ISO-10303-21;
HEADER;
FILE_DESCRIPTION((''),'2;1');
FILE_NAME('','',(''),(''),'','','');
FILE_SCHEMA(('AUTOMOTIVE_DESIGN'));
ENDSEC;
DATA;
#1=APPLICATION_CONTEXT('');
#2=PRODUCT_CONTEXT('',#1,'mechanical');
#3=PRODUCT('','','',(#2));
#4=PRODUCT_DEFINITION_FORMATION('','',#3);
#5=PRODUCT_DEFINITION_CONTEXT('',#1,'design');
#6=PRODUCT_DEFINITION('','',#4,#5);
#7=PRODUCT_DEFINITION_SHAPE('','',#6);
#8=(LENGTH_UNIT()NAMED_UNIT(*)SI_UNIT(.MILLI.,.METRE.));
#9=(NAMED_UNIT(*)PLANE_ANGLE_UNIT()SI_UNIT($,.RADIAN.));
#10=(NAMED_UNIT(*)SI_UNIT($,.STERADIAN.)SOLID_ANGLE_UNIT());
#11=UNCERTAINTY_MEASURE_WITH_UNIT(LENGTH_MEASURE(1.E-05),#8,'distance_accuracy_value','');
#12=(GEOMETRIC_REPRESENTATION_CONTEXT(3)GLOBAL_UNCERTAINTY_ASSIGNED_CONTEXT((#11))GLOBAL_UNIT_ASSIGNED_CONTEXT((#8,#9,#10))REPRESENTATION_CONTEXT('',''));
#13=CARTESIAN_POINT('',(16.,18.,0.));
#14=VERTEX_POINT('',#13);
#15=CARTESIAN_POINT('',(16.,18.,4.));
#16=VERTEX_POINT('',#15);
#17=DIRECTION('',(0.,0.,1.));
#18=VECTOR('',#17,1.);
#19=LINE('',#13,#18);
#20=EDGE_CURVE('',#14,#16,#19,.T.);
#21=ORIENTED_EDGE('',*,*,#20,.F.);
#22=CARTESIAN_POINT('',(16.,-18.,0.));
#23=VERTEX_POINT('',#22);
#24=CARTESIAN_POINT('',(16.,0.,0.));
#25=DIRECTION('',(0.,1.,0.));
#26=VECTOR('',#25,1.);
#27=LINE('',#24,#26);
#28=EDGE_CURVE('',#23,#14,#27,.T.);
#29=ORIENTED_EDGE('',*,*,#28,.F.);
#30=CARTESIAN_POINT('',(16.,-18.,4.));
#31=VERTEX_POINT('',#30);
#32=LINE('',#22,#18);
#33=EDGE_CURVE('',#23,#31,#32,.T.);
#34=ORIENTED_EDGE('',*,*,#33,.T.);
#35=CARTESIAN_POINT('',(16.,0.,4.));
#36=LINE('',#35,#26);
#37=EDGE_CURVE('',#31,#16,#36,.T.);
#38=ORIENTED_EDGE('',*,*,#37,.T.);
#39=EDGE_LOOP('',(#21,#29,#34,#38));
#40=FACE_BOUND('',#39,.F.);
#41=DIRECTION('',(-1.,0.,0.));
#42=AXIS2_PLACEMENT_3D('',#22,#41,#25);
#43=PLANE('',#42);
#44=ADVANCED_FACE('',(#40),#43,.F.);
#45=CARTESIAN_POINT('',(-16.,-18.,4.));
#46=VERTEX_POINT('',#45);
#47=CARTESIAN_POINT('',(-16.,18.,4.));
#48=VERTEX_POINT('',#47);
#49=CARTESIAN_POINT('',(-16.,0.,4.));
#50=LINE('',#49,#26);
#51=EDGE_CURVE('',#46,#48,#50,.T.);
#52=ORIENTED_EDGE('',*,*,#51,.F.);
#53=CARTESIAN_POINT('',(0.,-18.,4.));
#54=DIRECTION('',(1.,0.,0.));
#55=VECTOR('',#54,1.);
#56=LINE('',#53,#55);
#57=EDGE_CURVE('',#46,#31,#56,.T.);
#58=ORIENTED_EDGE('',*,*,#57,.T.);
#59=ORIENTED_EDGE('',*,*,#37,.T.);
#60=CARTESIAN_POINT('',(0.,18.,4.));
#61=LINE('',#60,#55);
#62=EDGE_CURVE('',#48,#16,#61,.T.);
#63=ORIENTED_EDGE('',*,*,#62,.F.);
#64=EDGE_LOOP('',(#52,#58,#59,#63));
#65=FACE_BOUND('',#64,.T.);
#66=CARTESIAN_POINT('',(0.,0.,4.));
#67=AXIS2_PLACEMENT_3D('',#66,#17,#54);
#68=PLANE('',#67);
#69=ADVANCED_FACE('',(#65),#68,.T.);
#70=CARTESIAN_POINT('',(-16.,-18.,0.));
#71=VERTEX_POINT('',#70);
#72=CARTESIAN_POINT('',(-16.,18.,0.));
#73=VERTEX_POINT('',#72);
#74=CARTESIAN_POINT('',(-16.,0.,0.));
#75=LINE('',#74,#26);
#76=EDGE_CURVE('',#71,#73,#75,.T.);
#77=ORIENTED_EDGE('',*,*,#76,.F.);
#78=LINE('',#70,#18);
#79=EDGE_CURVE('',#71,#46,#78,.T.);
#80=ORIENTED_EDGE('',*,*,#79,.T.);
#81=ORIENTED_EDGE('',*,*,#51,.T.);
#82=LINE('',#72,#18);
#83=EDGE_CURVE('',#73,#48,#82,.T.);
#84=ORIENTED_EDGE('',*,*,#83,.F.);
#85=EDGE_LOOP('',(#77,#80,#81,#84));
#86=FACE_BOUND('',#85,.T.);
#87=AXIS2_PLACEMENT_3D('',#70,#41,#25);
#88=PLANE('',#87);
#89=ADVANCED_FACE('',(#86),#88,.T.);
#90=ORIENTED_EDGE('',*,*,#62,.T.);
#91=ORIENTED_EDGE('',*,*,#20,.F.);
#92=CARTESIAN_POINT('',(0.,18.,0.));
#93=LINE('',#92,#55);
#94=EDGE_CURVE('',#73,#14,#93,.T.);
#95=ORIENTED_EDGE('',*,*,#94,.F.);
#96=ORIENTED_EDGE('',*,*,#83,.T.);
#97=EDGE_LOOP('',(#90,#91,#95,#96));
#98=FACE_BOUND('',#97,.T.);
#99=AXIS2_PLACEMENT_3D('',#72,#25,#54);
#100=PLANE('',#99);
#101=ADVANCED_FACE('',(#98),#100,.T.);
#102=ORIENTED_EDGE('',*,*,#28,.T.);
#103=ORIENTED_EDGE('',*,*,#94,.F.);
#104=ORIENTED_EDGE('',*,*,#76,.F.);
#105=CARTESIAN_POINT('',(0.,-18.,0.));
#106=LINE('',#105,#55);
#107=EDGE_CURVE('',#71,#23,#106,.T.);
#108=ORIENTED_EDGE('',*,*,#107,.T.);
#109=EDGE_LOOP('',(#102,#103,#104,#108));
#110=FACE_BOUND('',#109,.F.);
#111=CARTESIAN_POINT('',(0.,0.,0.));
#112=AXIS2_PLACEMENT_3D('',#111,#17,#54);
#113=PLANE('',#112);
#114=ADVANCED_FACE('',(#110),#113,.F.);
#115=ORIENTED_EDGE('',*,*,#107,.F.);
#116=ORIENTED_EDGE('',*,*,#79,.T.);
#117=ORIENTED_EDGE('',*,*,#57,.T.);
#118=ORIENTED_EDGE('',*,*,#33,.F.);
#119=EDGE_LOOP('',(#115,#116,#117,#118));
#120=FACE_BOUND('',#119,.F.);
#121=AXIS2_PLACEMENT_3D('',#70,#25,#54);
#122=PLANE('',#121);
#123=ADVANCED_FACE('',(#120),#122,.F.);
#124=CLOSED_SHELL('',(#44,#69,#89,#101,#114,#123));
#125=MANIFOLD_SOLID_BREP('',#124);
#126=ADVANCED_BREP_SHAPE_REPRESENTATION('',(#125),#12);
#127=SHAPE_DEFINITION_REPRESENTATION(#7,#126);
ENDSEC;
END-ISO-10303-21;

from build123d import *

# Parameters (mm, degrees)
SKETCH_W  = 32
SKETCH_H  = 36
PAD_DEPTH = 4


with BuildPart() as part:
    # Sketch → Pad (new body)
    with BuildSketch(Plane.XY):
        Rectangle(SKETCH_W, SKETCH_H)
    extrude(amount=PAD_DEPTH)


solid = part.part
